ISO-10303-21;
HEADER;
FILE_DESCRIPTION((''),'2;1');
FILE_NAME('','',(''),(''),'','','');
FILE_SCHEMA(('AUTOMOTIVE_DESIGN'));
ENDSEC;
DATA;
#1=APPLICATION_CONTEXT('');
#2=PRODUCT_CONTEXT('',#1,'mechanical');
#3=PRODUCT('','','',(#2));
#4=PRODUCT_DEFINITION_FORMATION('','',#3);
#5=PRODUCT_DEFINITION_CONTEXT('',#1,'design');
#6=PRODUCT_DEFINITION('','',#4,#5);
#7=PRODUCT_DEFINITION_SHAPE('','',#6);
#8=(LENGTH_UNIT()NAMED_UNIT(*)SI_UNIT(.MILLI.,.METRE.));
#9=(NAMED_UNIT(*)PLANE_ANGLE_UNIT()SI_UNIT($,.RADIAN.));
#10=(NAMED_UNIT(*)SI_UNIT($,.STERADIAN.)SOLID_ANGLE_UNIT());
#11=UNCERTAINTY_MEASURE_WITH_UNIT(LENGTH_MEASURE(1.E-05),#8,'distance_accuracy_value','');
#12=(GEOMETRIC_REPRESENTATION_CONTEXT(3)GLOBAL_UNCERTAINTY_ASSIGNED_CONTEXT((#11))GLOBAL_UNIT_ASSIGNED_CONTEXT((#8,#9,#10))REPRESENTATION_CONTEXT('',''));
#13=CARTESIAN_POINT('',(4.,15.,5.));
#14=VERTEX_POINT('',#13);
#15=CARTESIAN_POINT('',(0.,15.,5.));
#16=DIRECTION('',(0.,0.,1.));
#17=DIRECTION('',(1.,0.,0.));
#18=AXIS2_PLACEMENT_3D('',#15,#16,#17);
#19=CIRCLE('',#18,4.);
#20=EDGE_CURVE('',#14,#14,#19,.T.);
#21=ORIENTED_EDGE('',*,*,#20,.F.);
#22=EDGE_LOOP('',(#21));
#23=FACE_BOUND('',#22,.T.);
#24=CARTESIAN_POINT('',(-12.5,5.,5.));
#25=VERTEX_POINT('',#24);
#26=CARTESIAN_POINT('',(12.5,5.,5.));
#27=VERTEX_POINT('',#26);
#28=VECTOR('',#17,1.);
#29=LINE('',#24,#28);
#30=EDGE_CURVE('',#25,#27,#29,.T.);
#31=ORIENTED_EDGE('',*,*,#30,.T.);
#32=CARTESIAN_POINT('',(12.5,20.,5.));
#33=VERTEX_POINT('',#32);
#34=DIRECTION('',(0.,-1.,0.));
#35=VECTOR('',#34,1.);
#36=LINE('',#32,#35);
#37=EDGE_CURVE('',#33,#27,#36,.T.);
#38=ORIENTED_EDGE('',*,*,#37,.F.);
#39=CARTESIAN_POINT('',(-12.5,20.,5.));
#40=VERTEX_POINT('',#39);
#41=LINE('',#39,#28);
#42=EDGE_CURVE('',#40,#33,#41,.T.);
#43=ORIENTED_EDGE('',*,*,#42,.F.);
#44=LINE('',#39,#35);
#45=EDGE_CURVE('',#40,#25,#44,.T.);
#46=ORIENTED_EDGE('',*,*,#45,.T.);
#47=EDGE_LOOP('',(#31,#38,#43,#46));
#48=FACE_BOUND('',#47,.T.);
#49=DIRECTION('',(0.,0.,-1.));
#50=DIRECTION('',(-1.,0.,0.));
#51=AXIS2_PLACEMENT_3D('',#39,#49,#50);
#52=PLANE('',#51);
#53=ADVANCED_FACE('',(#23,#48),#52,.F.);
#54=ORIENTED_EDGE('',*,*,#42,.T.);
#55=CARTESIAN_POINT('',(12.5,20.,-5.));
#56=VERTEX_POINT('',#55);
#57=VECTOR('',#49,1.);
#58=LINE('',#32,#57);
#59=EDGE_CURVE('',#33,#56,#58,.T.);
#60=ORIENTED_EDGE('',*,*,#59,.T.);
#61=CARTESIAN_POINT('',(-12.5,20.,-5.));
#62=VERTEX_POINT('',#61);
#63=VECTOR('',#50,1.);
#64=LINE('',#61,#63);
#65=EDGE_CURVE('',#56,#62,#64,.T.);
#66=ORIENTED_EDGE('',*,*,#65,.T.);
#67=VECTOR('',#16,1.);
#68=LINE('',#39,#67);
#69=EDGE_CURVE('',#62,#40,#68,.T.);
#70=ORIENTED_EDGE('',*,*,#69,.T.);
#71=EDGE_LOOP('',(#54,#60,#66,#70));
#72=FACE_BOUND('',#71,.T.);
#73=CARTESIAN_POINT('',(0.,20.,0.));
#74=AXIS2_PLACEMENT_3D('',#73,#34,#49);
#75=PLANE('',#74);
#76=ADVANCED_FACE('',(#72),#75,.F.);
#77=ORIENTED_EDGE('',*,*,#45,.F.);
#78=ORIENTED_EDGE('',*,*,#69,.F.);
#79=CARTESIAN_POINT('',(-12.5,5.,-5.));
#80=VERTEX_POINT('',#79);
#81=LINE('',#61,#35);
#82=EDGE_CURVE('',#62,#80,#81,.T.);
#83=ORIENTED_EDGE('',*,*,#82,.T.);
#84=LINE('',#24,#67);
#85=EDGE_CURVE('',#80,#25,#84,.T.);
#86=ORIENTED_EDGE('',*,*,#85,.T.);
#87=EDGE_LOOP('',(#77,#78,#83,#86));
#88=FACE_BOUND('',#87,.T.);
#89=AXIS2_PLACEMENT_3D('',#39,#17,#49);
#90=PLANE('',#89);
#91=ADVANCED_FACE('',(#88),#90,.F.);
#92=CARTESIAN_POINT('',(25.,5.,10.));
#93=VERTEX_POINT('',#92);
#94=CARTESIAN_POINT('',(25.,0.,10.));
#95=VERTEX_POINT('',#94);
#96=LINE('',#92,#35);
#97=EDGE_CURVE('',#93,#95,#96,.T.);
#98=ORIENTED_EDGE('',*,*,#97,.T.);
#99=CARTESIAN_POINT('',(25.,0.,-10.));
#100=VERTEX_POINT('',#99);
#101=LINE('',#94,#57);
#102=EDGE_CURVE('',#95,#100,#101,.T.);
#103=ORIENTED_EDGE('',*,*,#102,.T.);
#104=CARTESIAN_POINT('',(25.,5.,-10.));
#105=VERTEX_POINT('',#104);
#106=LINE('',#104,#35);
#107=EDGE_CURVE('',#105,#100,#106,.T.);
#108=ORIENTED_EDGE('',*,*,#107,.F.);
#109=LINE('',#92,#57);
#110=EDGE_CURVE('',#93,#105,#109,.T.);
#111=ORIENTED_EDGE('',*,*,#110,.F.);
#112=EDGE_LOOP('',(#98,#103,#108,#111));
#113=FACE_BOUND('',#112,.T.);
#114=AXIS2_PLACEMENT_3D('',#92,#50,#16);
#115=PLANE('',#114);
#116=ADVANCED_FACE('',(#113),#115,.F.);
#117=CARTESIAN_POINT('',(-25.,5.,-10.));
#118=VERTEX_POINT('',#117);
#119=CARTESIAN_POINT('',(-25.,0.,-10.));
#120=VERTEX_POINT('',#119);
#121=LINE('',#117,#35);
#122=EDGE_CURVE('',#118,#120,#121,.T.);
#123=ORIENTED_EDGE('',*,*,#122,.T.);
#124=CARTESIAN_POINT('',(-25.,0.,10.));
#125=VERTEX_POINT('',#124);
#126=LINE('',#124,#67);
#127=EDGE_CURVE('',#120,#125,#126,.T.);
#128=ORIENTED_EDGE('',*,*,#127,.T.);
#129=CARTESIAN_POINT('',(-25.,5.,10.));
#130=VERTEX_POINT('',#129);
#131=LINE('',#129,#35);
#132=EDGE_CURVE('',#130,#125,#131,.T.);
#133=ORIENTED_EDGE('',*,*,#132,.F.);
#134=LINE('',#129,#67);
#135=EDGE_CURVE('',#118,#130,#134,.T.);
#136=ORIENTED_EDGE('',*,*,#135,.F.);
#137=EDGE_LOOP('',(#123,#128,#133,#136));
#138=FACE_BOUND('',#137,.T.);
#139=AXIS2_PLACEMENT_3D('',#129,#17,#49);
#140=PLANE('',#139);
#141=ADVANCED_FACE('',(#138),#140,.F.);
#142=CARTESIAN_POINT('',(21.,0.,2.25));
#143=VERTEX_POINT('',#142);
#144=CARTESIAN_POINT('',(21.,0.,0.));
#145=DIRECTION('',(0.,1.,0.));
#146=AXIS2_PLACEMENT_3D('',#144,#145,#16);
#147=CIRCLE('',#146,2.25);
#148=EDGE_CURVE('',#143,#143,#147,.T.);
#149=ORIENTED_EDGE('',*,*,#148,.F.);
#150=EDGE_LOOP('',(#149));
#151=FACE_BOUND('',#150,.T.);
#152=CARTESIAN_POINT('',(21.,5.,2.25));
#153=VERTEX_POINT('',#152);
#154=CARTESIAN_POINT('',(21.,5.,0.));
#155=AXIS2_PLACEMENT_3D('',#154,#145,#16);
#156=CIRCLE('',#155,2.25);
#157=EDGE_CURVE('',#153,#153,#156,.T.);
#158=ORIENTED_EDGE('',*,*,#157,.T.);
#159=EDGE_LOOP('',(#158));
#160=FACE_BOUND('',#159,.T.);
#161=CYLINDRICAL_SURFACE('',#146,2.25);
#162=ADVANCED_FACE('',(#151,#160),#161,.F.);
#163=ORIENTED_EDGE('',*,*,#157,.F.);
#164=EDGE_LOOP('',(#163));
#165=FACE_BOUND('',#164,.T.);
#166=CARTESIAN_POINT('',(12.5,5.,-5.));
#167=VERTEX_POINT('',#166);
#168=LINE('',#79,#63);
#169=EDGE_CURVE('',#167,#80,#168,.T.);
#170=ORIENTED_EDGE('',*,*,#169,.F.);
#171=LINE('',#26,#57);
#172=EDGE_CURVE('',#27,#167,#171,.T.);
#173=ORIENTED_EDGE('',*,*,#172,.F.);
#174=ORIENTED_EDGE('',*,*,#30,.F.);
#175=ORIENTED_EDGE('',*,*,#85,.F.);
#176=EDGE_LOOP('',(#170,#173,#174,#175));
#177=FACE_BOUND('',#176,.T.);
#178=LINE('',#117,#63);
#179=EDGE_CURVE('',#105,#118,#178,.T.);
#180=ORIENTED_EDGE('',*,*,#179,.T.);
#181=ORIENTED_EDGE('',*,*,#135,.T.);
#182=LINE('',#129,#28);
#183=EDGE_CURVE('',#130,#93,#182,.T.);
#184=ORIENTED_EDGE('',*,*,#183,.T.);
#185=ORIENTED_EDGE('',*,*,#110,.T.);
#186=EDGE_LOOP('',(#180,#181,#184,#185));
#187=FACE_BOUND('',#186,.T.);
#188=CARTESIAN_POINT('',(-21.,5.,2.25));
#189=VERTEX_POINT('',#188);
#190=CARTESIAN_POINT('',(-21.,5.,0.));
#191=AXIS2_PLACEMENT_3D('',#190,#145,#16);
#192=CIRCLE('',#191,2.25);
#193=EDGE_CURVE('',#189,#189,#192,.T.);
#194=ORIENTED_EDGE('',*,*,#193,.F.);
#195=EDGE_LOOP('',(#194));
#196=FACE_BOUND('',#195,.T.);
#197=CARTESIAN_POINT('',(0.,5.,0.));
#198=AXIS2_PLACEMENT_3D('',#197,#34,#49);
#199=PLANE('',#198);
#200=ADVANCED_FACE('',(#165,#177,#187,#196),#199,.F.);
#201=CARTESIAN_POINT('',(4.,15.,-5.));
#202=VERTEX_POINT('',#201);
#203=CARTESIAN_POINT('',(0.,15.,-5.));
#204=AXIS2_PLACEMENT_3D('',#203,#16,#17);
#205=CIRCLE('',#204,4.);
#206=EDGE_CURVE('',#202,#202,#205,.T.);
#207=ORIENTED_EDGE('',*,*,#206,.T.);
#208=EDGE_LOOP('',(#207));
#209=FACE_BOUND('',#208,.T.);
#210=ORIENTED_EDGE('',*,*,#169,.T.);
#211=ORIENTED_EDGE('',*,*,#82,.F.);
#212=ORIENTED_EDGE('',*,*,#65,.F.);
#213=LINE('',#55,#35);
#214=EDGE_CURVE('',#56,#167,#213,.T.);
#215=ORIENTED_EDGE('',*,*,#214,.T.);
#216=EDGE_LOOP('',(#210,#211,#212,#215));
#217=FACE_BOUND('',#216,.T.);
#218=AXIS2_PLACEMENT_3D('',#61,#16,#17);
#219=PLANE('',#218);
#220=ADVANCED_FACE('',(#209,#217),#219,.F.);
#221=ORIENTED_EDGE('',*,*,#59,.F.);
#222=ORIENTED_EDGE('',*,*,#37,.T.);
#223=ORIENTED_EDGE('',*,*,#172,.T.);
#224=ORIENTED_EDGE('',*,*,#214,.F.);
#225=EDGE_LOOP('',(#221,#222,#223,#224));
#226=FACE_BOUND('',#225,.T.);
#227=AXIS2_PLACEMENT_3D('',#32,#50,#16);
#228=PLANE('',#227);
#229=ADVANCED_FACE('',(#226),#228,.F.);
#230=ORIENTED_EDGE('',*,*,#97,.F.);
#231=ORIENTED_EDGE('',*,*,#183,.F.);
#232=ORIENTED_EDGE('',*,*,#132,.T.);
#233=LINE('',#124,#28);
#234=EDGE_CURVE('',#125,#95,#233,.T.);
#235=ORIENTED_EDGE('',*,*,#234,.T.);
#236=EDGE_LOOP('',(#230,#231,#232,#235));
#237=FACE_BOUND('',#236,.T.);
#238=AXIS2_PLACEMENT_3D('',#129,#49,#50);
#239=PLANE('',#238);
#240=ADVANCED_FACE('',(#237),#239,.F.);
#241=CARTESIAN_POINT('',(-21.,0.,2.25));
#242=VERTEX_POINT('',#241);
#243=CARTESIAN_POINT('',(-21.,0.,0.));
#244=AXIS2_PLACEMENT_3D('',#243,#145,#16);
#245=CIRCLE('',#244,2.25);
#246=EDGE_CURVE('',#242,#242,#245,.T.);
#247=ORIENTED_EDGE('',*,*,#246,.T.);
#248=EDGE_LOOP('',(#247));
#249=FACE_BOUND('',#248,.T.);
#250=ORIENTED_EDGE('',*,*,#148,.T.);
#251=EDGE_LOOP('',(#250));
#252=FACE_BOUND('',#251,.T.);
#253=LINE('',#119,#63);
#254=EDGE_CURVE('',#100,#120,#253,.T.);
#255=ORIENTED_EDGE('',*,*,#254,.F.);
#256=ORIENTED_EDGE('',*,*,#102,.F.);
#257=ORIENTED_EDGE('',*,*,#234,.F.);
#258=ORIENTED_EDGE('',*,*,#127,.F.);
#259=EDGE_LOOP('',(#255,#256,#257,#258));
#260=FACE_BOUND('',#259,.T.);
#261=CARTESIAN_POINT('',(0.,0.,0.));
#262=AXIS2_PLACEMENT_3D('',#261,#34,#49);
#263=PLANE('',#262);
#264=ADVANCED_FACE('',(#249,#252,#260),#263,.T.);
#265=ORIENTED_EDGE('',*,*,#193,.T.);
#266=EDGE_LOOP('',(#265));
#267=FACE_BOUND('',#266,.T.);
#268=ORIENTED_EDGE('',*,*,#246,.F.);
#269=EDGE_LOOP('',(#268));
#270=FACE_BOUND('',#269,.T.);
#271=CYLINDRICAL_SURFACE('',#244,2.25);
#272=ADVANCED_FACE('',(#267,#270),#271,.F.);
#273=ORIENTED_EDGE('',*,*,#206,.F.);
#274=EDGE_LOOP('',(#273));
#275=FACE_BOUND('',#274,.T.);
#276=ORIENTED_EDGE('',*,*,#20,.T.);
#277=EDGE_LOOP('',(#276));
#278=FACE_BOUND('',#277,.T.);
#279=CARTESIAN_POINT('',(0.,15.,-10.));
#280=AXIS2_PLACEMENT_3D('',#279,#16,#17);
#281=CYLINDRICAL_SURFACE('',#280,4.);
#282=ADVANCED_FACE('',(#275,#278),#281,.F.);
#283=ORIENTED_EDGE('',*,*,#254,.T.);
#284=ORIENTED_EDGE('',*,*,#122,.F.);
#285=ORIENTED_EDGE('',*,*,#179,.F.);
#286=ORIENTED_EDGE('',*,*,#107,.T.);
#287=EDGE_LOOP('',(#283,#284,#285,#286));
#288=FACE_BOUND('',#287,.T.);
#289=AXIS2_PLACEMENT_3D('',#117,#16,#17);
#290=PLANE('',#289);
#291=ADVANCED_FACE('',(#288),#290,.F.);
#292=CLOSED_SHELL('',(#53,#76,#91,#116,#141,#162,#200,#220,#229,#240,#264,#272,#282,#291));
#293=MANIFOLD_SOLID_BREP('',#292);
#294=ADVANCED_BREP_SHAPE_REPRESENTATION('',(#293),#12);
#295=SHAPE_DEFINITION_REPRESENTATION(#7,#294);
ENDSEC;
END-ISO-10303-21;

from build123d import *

# Parameters (mm, degrees)
SKETCH1_W           = 50
SKETCH1_H           = 20
BOSS_EXTRUDE1_DEPTH = 5
SKETCH2_R           = 2.25
CUT_EXTRUDE1_DEPTH  = 5
SKETCH3_W           = 25
SKETCH3_H           = 10
BOSS_EXTRUDE2_DEPTH = 15
SKETCH4_R           = 4
CUT_EXTRUDE2_DEPTH  = 15


with BuildPart() as part:
    # Sketch1 → Boss-Extrude1 (new body)
    with BuildSketch(Plane(origin=(0, 0, 0), x_dir=(1, 0, 0), z_dir=(0, 1, 0))):
        Rectangle(SKETCH1_W, SKETCH1_H)
    extrude(amount=BOSS_EXTRUDE1_DEPTH)

    # Sketch2 → Cut-Extrude1 (cut)
    with BuildSketch(Plane(origin=(0, 5, 0), x_dir=(1, 0, 0), z_dir=(0, 1, 0))):
        with Locations(Location((-21, 0, 0), (0, 0, 270))):
            Circle(SKETCH2_R)
        with Locations(Location((21, 0, 0), (0, 0, 270))):
            Circle(SKETCH2_R)
    extrude(amount=-CUT_EXTRUDE1_DEPTH, mode=Mode.SUBTRACT)

    # Sketch3 → Boss-Extrude2 (add)
    with BuildSketch(Plane(origin=(0, 5, 0), x_dir=(1, 0, 0), z_dir=(0, 1, 0))):
        Rectangle(SKETCH3_W, SKETCH3_H)
    extrude(amount=BOSS_EXTRUDE2_DEPTH)

    # Sketch4 → Cut-Extrude2 (cut)
    with BuildSketch(Plane.XY.offset(5)):
        with Locations((0, 15)):
            Circle(SKETCH4_R)
    extrude(amount=-CUT_EXTRUDE2_DEPTH, mode=Mode.SUBTRACT)


solid = part.part
